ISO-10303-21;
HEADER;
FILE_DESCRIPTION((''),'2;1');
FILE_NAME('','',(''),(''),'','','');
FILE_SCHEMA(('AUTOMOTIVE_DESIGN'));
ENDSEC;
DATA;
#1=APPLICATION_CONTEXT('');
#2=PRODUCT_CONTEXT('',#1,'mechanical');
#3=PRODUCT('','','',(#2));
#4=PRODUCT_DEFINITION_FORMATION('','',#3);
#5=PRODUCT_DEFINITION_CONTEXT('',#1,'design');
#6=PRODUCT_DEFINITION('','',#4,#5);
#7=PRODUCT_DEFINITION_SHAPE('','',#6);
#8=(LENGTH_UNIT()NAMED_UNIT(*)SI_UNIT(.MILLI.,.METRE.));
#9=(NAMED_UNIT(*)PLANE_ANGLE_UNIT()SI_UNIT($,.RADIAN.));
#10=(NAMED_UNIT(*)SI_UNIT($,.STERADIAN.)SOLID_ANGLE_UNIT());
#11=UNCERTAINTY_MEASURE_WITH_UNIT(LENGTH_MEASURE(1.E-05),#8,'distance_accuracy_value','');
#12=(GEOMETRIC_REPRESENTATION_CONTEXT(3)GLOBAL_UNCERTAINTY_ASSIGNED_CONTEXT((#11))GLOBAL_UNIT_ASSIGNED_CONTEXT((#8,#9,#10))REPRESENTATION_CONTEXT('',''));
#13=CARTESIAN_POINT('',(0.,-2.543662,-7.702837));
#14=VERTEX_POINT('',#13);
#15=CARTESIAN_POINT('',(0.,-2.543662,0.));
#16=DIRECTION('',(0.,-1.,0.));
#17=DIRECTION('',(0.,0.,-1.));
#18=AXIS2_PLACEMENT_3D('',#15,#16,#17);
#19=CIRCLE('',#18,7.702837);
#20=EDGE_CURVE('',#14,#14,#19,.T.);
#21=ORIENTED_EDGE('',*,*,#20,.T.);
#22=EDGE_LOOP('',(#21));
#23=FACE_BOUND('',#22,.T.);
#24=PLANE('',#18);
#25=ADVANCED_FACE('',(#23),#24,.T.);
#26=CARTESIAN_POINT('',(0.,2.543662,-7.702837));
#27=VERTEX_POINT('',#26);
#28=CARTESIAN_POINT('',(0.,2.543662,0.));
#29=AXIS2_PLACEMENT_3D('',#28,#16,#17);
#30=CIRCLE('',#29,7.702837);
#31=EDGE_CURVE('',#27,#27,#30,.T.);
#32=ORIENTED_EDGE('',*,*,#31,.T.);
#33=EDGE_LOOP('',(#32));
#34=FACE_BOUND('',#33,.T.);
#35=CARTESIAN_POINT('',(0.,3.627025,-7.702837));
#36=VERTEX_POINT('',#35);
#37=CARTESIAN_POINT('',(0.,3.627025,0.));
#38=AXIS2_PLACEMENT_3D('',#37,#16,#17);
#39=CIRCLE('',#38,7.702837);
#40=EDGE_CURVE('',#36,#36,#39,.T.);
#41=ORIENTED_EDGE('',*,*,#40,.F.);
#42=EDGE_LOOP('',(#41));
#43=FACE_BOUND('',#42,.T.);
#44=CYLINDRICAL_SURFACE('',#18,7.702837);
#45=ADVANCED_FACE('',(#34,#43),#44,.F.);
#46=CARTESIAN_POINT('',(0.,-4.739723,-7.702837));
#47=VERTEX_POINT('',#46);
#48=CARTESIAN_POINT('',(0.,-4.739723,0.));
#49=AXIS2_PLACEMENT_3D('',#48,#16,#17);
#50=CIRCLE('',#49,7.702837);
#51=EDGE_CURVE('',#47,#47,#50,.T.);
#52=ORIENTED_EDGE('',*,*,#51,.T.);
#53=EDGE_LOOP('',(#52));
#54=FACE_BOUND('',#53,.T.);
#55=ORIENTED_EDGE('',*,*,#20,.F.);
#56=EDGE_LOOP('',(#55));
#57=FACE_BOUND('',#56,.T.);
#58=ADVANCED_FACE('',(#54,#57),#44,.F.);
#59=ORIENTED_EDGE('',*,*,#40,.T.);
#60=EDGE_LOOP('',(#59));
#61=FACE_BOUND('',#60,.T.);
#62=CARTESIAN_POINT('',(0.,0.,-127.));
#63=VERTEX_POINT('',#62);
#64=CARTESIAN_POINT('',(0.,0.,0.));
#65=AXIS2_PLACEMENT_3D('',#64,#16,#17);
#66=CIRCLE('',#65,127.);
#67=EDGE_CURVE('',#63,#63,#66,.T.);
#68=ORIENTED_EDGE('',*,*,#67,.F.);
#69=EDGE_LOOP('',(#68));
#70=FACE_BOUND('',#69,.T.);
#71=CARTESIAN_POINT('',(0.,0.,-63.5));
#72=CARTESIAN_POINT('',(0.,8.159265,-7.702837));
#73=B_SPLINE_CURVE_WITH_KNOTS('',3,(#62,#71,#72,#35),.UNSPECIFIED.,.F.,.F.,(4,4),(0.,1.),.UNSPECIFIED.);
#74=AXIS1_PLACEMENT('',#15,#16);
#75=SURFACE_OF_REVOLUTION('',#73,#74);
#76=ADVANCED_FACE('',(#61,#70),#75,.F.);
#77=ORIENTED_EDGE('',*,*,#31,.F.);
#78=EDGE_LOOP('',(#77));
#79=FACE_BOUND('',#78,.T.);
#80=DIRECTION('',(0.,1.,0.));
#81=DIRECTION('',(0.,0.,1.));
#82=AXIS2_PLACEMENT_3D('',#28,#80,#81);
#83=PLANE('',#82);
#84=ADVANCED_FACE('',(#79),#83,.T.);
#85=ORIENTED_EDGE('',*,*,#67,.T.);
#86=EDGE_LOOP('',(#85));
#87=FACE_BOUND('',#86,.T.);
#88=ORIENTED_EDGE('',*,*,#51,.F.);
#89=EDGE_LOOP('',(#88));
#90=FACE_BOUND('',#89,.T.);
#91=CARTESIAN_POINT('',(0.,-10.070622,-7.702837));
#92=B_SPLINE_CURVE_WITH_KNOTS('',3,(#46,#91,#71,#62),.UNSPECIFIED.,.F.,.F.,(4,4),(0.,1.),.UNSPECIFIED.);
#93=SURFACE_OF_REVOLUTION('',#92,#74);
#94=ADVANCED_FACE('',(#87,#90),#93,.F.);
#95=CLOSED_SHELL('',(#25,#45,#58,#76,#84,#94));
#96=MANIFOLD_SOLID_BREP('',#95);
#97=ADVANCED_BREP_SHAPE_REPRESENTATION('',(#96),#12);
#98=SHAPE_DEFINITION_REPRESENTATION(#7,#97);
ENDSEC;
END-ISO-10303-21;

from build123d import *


with BuildPart() as part:
    # Sketch2 → Revolve1 (revolve)
    with BuildSketch(Plane(origin=(0, 0, 0), x_dir=(0, 0, -1), z_dir=(1, 0, 0))):
        with BuildLine():
            Line((7.702837196, 3.627025238), (7.702837196, 2.543661894))
            Line((7.702837196, 2.543661894), (0, 2.543661894))
            Line((0, 2.543661894), (0, -2.543661894))
            Line((0, -2.543661894), (7.702837196, -2.543661894))
            Line((7.702837196, -2.543661894), (7.702837196, -4.739723491))
            add(Edge.make_bspline(
                [(7.702837196, -4.739723491), (7.702837196, -10.070621758), (63.5, 0), (127, 0)],
                knots=[0, 0, 0, 0, 1, 1, 1, 1], degree=3))
            add(Edge.make_bspline(
                [(7.702837196, 3.627025238), (7.702837196, 8.15926534), (63.5, 0), (127, 0)],
                knots=[0, 0, 0, 0, 1, 1, 1, 1], degree=3))
        make_face()
    revolve(axis=Axis((0, -2.543661894, 0), (0, 1, 0)))


solid = part.part
